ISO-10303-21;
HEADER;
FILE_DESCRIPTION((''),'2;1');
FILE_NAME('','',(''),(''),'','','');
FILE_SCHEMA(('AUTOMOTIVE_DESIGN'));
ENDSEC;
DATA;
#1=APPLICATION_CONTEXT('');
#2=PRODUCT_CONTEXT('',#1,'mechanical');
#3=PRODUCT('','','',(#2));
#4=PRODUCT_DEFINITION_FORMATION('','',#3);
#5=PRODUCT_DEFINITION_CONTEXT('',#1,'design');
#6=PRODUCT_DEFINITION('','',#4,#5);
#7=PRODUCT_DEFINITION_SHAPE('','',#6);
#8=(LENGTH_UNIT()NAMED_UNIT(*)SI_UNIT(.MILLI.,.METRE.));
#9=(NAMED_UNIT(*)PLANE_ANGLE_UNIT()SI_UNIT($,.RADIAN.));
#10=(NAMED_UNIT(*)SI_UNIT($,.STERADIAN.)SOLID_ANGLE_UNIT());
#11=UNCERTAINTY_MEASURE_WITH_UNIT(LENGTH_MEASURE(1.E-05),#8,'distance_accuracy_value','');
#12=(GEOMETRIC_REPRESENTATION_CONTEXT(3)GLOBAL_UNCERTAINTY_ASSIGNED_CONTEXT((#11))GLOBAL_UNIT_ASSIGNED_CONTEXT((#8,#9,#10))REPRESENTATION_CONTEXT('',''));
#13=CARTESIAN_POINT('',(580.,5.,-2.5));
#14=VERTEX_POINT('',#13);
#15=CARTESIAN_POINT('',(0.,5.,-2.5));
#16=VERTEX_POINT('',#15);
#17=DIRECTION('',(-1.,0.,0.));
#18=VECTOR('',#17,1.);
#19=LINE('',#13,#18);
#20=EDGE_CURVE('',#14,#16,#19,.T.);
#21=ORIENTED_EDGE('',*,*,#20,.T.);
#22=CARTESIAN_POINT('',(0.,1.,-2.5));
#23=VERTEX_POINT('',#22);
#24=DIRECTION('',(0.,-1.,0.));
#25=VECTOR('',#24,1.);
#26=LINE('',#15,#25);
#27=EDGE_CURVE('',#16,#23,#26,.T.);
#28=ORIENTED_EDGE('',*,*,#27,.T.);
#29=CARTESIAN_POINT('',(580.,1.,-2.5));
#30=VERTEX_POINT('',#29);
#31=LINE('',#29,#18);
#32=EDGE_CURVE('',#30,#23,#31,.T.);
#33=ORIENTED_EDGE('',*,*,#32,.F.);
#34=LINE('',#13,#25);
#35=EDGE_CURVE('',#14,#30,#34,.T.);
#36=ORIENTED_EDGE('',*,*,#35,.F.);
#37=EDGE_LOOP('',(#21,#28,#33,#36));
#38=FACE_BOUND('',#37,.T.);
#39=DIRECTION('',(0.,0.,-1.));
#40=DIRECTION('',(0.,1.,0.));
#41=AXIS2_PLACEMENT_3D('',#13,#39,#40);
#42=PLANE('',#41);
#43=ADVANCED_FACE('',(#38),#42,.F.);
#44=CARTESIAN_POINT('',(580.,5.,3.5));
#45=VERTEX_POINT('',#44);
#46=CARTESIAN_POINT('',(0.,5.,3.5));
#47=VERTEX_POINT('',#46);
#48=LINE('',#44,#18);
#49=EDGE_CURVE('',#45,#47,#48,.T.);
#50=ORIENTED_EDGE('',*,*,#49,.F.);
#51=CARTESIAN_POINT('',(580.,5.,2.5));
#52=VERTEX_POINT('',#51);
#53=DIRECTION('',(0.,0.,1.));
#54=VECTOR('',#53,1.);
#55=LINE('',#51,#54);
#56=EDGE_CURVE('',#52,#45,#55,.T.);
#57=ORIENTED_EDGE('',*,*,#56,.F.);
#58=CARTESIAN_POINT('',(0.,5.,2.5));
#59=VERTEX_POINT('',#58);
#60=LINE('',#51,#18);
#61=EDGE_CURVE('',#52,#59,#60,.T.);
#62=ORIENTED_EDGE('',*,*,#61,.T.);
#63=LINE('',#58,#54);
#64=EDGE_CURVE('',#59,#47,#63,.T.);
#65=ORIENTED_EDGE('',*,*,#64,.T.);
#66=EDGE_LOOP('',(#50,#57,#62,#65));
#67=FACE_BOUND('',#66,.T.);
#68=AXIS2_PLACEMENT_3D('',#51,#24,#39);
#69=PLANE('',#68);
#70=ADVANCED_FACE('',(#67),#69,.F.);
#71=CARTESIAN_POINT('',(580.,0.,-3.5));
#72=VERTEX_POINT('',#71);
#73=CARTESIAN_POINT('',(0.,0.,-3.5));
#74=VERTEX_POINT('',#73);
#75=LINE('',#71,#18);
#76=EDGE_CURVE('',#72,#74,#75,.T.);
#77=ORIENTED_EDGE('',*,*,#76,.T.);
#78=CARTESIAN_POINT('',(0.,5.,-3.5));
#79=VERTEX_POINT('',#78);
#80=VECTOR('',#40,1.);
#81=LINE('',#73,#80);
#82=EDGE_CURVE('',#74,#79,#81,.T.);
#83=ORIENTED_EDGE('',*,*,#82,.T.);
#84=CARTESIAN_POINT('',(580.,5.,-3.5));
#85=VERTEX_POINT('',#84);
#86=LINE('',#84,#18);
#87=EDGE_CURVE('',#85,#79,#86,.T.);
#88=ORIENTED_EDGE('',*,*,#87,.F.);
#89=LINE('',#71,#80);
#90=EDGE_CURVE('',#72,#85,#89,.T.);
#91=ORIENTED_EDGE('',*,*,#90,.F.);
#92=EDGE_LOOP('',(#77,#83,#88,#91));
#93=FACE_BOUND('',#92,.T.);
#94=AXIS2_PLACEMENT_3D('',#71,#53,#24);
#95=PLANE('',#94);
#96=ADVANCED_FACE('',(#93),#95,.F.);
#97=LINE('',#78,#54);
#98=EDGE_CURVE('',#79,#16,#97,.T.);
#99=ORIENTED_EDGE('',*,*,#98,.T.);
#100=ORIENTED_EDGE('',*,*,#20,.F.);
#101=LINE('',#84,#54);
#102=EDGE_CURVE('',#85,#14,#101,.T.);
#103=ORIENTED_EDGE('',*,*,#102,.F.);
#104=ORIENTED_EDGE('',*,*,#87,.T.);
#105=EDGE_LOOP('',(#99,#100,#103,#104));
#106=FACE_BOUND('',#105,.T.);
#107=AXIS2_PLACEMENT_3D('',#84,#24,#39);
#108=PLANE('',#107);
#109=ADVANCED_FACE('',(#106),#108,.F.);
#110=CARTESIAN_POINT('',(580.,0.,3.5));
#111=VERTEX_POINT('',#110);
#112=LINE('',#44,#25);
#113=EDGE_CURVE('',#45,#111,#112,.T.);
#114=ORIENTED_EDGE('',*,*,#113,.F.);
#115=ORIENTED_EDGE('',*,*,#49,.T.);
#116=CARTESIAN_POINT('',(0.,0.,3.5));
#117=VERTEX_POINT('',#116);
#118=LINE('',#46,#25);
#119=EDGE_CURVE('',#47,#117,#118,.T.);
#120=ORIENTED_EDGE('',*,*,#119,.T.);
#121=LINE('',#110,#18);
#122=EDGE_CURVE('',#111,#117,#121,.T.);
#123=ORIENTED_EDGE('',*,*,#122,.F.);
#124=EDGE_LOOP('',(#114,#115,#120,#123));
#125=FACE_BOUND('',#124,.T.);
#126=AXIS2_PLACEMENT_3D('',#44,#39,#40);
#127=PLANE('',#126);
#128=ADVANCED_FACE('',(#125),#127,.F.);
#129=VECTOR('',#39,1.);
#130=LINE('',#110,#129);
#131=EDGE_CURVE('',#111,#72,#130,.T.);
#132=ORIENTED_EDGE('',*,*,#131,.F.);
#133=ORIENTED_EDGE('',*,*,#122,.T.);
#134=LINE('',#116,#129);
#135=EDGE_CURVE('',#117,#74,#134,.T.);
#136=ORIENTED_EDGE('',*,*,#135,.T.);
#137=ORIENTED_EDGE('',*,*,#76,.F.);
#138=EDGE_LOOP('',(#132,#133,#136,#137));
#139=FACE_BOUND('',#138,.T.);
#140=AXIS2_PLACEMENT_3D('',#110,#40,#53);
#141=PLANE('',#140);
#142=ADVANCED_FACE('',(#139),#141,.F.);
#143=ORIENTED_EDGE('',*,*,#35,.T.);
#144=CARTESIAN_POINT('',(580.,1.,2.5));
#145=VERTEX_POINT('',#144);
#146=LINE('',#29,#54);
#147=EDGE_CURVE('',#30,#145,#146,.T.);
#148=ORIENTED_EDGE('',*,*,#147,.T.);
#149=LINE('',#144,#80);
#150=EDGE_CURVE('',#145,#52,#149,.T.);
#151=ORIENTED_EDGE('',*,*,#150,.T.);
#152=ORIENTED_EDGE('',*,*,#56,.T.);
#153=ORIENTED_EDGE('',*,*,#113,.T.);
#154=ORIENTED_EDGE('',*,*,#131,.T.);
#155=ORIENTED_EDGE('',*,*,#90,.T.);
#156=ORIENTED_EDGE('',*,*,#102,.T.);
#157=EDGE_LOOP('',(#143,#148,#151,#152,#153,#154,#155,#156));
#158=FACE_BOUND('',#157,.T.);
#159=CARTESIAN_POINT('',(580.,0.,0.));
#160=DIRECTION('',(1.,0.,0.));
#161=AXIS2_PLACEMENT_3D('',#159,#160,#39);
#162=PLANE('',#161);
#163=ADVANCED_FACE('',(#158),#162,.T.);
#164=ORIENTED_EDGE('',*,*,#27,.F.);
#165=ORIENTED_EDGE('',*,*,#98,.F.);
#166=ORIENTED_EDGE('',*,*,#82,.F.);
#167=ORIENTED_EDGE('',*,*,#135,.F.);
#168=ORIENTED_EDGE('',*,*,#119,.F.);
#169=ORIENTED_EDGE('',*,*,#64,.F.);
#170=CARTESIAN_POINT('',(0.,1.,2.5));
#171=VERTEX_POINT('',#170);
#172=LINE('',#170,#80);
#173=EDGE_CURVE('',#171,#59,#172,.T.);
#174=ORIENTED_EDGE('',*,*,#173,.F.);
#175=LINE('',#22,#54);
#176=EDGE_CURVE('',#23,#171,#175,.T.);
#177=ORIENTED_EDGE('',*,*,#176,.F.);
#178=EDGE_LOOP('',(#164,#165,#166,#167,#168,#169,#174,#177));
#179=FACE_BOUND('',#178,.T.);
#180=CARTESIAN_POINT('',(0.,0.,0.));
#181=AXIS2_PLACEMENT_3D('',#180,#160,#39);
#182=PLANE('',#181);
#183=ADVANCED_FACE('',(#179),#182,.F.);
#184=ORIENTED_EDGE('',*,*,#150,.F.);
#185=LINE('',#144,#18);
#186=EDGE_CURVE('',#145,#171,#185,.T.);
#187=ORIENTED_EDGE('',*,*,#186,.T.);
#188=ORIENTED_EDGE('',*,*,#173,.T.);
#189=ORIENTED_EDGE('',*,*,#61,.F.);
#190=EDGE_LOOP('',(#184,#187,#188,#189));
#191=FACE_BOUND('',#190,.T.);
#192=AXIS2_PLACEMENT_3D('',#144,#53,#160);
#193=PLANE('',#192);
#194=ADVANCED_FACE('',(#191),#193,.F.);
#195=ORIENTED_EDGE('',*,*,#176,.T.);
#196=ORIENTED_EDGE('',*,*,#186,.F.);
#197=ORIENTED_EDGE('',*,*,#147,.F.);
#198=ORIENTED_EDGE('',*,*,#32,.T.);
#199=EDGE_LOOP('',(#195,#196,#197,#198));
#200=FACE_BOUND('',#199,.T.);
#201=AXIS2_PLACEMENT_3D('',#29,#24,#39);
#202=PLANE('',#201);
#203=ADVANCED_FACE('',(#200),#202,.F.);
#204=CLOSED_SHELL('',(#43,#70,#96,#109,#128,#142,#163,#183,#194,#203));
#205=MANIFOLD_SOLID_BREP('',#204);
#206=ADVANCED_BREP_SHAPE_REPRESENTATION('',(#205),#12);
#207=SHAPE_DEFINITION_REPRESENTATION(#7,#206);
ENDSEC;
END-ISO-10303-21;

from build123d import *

# Parameters (mm, degrees)
BOSS_EXTRUDE1_DEPTH = 580


with BuildPart() as part:
    # Sketch1 → Boss-Extrude1 (new body)
    with BuildSketch(Plane(origin=(0, 0, 0), x_dir=(0, 0, -1), z_dir=(1, 0, 0))):
        Polygon((-3.5, 0), (3.5, 0), (3.5, 5), (2.5, 5), (2.5, 1), (-2.5, 1), (-2.5, 5), (-3.5, 5), align=None)
    extrude(amount=BOSS_EXTRUDE1_DEPTH)


solid = part.part
